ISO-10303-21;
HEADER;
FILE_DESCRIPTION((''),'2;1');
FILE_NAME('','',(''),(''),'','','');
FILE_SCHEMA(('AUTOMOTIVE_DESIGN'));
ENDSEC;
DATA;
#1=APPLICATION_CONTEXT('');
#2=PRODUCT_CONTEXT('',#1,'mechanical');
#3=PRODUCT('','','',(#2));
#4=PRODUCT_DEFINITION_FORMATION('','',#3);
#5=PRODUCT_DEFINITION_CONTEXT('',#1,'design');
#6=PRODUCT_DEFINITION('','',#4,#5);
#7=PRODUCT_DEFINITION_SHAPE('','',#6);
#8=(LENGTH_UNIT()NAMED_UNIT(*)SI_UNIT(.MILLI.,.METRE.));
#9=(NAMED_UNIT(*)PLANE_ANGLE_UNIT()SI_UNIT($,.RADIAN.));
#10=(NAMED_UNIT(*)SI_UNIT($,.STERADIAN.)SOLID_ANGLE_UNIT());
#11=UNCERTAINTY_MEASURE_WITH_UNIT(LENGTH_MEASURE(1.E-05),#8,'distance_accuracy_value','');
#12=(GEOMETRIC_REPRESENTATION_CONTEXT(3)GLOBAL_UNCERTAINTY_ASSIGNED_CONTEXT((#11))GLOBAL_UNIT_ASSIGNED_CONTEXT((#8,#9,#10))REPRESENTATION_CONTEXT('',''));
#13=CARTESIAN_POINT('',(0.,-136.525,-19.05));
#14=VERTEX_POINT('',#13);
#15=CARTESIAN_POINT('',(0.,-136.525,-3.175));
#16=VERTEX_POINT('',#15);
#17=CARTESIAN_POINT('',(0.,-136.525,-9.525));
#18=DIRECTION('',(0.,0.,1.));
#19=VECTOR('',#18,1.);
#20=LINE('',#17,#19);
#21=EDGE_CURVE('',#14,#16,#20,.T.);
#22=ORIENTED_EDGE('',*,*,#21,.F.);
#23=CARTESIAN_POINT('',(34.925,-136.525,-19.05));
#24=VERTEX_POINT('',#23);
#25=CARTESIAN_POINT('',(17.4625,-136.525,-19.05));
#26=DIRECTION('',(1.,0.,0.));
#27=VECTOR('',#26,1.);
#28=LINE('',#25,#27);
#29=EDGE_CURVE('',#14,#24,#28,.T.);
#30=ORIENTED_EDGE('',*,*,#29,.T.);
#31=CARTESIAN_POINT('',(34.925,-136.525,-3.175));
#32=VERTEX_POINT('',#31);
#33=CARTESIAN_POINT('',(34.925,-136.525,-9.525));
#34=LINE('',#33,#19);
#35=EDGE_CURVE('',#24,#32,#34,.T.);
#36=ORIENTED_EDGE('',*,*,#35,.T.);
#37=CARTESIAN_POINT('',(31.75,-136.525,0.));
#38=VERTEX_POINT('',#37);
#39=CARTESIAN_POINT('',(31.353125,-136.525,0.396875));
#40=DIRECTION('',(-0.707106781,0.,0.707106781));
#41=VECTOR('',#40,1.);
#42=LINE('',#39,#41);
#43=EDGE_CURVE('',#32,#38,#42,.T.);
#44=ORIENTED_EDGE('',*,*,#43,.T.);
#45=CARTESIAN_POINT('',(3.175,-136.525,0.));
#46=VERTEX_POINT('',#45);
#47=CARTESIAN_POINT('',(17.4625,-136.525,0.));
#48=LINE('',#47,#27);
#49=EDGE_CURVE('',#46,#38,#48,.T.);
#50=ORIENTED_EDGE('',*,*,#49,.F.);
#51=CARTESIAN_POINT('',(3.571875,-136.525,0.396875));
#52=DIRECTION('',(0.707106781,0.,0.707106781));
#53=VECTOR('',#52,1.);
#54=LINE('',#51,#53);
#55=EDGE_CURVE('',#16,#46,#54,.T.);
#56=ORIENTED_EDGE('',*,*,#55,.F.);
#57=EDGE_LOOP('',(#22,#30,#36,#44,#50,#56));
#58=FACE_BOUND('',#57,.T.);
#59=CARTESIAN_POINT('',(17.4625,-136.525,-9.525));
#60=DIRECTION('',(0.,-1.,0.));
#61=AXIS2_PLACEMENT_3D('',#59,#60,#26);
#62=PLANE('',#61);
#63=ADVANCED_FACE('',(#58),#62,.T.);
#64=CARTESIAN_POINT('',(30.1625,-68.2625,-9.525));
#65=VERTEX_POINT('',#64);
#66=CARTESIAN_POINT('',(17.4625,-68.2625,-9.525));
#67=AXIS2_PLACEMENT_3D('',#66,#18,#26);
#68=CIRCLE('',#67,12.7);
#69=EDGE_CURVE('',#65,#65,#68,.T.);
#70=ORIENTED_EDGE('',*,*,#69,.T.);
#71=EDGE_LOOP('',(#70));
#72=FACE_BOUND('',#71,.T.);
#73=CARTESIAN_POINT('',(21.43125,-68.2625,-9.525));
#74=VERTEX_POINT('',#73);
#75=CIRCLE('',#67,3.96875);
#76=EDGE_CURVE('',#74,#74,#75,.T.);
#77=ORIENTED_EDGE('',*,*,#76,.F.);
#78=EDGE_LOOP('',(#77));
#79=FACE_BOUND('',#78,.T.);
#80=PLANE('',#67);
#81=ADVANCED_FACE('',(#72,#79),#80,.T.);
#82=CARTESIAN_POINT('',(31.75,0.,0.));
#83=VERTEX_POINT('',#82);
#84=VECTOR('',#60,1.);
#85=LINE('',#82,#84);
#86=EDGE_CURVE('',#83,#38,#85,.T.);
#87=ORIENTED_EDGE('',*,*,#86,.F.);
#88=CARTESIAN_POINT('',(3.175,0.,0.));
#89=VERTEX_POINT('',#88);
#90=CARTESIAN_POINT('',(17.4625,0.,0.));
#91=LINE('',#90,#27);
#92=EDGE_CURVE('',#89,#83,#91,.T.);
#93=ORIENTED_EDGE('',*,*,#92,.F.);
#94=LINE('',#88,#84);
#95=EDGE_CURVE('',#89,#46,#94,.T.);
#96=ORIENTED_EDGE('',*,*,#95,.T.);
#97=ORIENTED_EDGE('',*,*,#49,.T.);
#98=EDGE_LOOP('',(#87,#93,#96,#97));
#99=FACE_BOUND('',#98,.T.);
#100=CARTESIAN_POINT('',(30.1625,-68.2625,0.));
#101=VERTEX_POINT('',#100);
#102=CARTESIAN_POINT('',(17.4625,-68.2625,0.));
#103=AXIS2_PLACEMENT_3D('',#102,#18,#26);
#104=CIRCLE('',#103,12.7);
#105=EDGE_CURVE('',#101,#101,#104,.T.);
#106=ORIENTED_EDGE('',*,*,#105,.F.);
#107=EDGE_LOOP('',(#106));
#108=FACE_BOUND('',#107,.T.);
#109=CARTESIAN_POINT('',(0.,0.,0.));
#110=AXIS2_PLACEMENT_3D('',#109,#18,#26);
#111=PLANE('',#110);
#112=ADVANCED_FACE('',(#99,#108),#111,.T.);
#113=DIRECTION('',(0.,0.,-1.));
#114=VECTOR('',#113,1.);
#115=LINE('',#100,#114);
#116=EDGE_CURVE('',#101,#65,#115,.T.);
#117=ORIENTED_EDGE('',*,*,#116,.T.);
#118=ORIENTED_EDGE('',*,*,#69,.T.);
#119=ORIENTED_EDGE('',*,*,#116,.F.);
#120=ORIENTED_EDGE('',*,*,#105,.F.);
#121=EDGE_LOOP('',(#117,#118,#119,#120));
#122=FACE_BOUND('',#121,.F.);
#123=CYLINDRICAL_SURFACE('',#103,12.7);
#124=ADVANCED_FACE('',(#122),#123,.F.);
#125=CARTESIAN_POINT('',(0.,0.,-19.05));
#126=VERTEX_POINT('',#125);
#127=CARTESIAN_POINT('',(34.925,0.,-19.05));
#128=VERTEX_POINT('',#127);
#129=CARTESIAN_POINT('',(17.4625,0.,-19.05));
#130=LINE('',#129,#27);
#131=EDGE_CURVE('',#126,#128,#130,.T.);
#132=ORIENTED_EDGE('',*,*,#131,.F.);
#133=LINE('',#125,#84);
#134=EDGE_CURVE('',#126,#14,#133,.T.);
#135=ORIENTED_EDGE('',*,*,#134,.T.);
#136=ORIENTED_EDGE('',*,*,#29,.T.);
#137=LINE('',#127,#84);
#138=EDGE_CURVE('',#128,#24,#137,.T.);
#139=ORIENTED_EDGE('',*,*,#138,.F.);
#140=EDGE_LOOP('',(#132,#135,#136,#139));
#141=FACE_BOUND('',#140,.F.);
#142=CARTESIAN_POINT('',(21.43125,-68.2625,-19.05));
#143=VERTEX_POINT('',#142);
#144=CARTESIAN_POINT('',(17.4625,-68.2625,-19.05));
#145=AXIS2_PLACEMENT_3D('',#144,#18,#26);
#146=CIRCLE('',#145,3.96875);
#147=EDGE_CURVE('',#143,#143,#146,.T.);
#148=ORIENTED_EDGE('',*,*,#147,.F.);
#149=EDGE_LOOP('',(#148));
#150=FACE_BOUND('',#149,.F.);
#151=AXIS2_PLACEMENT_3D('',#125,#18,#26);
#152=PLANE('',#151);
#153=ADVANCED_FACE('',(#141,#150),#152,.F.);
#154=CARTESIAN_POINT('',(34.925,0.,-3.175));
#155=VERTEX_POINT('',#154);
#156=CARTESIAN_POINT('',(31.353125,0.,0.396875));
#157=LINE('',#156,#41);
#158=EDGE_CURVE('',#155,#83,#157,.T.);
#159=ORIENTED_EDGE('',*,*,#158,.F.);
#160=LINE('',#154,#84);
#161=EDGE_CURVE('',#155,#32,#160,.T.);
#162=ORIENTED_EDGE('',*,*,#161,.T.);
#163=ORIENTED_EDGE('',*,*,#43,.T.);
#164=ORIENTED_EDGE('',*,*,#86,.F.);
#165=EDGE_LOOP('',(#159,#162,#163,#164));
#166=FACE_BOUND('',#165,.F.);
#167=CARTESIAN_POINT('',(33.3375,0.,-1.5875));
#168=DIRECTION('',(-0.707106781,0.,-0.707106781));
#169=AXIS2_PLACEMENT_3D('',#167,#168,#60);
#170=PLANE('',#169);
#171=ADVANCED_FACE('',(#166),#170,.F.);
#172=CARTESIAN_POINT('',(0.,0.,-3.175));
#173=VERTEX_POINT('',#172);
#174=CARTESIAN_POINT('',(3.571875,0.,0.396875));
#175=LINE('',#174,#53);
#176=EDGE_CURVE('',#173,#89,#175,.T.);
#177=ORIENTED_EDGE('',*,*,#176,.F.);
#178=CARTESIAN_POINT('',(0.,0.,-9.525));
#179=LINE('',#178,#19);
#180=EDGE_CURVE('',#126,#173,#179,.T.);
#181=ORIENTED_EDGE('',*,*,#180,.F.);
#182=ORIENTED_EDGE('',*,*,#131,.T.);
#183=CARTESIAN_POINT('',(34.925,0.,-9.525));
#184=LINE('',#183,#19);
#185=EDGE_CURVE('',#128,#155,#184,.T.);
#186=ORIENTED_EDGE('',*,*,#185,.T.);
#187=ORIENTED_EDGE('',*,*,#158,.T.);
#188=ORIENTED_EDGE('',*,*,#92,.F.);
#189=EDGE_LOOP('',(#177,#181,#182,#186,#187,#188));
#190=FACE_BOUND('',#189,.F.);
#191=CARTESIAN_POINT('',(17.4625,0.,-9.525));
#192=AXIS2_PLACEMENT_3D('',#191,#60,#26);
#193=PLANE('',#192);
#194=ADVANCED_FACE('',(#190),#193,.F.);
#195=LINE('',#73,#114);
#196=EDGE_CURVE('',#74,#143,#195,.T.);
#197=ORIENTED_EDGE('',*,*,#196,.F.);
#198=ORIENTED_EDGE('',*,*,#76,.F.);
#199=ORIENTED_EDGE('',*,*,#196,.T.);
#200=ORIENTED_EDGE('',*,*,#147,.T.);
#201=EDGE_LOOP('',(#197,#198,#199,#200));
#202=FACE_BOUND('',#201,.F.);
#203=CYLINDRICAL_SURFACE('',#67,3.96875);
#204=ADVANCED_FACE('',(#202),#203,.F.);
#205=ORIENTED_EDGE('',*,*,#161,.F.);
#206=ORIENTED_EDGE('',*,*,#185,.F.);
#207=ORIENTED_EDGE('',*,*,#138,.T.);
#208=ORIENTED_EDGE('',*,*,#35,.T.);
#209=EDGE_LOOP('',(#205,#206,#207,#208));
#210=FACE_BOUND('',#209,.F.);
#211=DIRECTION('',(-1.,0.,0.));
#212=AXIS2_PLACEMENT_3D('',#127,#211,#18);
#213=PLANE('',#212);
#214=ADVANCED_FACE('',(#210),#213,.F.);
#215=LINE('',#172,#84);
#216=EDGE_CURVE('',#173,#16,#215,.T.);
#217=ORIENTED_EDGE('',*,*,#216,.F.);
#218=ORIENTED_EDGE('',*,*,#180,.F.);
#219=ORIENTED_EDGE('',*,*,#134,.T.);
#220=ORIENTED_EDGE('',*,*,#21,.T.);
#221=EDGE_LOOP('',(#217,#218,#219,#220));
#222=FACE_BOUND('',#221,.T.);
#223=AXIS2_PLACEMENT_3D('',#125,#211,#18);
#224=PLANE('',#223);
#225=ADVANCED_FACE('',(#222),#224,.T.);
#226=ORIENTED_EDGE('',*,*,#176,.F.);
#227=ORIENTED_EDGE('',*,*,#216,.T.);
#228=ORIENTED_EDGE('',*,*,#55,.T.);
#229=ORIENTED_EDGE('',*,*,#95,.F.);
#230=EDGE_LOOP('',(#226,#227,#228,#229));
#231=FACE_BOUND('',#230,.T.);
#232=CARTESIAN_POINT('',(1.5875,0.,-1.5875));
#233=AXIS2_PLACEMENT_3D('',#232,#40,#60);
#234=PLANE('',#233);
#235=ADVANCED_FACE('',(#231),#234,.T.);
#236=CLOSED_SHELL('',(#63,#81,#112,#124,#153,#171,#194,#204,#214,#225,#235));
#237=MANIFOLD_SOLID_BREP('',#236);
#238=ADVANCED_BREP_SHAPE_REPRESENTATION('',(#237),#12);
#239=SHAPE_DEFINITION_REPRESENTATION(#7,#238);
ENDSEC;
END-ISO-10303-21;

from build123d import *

# Parameters (mm, degrees)
F0_W     = 34.925
F0_H     = 19.05
F1_DEPTH = 136.525
F2_SIZE  = 3.175
F3_R     = 12.7
F4_DEPTH = 9.525
F5_R     = 3.96875
F6_DEPTH = 254


with BuildPart() as f1:
    # F0 (on Front) → F1 (new body)
    with BuildSketch(Plane.XZ):
        with Locations((17.4625, -9.525)):
            Rectangle(F0_W, F0_H)
    extrude(amount=F1_DEPTH)

    # F2
    f2_edges = [f1.edges().sort_by_distance(p)[0] for p in [
        (34.925, -68.2625, 0),
        (0, -68.2625, 0),
    ]]
    chamfer(f2_edges, length=F2_SIZE)

    # F3 (on face) → F4 (cut)
    with BuildSketch(Plane.XY):
        with Locations((17.4625, -68.2625)):
            Circle(F3_R)
    extrude(amount=-F4_DEPTH, mode=Mode.SUBTRACT)

    # F5 (on face) → F6 (cut)
    with BuildSketch(Plane.XY.offset(-9.525)):
        with Locations((17.4625, -68.2625)):
            Circle(F5_R)
    extrude(amount=-F6_DEPTH, mode=Mode.SUBTRACT)


solid = f1.part
